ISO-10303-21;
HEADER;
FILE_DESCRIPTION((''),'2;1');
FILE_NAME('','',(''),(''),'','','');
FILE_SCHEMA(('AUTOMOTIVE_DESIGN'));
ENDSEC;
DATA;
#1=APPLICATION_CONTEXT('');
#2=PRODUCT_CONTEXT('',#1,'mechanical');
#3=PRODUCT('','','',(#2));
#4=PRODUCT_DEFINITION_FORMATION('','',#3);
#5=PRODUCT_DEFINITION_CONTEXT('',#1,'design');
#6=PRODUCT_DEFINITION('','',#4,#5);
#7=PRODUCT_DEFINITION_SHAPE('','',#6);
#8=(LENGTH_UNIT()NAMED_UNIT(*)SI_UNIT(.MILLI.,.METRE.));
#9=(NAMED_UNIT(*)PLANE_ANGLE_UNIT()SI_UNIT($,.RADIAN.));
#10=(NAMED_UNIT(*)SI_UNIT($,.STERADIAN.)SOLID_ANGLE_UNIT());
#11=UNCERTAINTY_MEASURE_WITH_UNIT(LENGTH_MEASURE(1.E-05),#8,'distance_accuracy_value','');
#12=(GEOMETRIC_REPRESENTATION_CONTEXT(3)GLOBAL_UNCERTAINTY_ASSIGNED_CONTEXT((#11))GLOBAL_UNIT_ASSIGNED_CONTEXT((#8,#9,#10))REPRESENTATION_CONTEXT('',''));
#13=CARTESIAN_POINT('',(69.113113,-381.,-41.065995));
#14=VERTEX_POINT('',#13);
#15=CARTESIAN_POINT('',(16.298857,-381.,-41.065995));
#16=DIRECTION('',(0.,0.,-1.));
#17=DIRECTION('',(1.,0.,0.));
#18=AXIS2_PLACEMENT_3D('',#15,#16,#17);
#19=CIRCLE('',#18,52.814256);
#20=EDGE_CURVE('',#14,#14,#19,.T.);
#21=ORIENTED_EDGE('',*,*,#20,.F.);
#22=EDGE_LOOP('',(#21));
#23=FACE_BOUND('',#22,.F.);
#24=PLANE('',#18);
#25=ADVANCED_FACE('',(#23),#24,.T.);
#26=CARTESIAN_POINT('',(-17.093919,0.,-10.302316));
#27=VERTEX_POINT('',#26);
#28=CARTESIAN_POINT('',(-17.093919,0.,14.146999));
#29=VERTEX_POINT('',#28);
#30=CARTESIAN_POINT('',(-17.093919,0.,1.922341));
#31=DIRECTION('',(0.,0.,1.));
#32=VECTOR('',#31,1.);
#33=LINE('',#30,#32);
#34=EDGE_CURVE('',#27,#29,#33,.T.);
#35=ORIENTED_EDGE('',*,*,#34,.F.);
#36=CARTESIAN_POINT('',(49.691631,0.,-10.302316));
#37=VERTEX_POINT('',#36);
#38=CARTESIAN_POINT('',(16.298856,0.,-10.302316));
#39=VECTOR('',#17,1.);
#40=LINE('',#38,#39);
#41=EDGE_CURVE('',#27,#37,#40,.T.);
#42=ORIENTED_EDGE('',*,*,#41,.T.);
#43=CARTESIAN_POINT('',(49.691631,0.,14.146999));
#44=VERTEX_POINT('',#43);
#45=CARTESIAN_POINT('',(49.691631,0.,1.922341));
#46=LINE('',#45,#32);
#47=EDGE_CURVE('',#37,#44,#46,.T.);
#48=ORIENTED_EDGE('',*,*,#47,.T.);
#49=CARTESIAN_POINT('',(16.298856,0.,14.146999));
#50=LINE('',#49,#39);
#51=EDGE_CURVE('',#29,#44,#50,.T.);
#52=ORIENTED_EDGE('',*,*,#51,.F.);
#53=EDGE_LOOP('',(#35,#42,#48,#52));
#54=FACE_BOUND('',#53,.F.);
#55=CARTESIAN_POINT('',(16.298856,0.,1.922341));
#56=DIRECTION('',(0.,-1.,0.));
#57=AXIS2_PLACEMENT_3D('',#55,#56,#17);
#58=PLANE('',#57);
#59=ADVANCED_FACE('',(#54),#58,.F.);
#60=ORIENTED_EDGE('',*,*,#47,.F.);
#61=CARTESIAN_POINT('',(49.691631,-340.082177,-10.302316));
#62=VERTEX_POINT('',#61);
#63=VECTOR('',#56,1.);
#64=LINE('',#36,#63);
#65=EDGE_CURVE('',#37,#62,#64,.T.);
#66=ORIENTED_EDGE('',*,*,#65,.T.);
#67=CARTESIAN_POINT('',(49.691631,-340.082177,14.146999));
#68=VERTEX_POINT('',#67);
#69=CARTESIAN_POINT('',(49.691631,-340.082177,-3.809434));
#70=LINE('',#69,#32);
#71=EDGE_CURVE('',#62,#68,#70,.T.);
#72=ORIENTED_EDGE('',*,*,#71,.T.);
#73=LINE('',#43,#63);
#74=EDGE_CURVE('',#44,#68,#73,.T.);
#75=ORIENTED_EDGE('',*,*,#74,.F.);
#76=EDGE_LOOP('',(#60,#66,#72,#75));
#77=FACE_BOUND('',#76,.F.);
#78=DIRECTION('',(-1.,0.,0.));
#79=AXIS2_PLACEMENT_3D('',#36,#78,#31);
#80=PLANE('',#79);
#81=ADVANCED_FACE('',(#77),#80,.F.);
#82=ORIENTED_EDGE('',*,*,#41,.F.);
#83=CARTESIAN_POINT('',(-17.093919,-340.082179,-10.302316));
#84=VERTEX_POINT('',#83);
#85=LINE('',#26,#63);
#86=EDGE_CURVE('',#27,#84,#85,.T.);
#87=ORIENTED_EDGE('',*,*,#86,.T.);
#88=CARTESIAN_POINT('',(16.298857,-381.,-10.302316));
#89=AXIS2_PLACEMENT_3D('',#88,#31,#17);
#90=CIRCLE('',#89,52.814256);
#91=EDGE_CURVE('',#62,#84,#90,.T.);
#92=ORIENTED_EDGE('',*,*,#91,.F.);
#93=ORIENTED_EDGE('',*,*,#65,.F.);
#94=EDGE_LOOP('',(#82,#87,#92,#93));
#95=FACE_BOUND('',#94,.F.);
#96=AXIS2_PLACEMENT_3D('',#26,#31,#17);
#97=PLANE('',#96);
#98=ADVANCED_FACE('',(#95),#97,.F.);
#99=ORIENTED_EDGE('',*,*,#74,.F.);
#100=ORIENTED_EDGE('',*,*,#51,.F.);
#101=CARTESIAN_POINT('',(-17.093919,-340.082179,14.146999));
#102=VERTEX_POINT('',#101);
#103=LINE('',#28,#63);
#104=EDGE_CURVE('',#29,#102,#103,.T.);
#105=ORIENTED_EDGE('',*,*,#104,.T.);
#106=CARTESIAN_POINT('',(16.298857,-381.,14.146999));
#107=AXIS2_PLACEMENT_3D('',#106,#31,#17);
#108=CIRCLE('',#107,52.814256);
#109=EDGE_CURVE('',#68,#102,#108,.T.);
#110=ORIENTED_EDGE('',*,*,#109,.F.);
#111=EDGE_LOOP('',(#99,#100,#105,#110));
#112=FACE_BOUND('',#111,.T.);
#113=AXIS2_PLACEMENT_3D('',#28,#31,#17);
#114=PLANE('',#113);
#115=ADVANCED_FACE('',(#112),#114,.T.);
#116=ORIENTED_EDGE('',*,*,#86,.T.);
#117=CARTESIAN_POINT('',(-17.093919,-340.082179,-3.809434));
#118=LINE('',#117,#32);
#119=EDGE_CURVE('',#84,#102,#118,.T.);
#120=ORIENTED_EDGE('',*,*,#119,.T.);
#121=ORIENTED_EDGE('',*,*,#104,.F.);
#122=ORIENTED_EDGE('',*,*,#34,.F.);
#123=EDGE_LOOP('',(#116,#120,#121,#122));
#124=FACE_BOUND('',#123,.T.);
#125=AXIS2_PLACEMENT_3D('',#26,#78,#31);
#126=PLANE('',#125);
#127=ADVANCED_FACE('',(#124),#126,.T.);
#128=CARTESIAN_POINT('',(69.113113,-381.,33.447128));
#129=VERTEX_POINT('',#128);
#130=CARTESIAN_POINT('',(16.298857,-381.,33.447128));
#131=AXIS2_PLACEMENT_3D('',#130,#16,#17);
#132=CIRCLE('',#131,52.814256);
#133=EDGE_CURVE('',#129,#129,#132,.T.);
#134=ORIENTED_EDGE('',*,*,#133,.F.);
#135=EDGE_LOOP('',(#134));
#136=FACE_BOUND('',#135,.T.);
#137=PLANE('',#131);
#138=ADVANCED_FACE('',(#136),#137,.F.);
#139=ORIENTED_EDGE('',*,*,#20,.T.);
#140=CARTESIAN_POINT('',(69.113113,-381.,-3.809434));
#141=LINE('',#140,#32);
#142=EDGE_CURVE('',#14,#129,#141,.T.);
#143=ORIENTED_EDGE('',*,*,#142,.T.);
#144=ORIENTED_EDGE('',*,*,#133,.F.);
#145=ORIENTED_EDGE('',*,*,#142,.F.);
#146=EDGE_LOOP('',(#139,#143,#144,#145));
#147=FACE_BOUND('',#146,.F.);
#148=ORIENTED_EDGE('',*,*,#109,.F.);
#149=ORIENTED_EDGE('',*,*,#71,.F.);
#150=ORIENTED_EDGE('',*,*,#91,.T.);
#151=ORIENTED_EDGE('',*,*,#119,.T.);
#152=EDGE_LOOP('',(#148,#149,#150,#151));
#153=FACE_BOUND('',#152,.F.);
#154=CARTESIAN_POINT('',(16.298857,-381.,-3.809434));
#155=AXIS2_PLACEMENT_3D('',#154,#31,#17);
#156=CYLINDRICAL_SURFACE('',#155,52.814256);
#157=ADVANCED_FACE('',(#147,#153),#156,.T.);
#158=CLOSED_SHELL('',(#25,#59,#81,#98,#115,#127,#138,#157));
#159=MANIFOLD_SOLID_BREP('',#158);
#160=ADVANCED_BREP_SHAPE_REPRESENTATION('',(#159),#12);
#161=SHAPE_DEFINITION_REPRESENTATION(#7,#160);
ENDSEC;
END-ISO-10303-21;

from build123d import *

# Parameters (mm, degrees)
F0_W     = 66.785551
F0_H     = 24.449315
F1_DEPTH = 381
F2_W     = 52.814256
F2_H     = 74.513123


with BuildPart() as f1:
    # F0 (on Front) → F1 (new body)
    with BuildSketch(Plane.XZ):
        with Locations((16.298856, 1.922341)):
            Rectangle(F0_W, F0_H)
    extrude(amount=F1_DEPTH)

    # F2 (on face) → F3 (revolve)
    with BuildSketch(Plane.XZ.offset(381)):
        with Locations((42.705985, -3.809434)):
            Rectangle(F2_W, F2_H)
    revolve(axis=Axis((16.298857, -381, -3.809433), (0, 0, -1)))


solid = f1.part
